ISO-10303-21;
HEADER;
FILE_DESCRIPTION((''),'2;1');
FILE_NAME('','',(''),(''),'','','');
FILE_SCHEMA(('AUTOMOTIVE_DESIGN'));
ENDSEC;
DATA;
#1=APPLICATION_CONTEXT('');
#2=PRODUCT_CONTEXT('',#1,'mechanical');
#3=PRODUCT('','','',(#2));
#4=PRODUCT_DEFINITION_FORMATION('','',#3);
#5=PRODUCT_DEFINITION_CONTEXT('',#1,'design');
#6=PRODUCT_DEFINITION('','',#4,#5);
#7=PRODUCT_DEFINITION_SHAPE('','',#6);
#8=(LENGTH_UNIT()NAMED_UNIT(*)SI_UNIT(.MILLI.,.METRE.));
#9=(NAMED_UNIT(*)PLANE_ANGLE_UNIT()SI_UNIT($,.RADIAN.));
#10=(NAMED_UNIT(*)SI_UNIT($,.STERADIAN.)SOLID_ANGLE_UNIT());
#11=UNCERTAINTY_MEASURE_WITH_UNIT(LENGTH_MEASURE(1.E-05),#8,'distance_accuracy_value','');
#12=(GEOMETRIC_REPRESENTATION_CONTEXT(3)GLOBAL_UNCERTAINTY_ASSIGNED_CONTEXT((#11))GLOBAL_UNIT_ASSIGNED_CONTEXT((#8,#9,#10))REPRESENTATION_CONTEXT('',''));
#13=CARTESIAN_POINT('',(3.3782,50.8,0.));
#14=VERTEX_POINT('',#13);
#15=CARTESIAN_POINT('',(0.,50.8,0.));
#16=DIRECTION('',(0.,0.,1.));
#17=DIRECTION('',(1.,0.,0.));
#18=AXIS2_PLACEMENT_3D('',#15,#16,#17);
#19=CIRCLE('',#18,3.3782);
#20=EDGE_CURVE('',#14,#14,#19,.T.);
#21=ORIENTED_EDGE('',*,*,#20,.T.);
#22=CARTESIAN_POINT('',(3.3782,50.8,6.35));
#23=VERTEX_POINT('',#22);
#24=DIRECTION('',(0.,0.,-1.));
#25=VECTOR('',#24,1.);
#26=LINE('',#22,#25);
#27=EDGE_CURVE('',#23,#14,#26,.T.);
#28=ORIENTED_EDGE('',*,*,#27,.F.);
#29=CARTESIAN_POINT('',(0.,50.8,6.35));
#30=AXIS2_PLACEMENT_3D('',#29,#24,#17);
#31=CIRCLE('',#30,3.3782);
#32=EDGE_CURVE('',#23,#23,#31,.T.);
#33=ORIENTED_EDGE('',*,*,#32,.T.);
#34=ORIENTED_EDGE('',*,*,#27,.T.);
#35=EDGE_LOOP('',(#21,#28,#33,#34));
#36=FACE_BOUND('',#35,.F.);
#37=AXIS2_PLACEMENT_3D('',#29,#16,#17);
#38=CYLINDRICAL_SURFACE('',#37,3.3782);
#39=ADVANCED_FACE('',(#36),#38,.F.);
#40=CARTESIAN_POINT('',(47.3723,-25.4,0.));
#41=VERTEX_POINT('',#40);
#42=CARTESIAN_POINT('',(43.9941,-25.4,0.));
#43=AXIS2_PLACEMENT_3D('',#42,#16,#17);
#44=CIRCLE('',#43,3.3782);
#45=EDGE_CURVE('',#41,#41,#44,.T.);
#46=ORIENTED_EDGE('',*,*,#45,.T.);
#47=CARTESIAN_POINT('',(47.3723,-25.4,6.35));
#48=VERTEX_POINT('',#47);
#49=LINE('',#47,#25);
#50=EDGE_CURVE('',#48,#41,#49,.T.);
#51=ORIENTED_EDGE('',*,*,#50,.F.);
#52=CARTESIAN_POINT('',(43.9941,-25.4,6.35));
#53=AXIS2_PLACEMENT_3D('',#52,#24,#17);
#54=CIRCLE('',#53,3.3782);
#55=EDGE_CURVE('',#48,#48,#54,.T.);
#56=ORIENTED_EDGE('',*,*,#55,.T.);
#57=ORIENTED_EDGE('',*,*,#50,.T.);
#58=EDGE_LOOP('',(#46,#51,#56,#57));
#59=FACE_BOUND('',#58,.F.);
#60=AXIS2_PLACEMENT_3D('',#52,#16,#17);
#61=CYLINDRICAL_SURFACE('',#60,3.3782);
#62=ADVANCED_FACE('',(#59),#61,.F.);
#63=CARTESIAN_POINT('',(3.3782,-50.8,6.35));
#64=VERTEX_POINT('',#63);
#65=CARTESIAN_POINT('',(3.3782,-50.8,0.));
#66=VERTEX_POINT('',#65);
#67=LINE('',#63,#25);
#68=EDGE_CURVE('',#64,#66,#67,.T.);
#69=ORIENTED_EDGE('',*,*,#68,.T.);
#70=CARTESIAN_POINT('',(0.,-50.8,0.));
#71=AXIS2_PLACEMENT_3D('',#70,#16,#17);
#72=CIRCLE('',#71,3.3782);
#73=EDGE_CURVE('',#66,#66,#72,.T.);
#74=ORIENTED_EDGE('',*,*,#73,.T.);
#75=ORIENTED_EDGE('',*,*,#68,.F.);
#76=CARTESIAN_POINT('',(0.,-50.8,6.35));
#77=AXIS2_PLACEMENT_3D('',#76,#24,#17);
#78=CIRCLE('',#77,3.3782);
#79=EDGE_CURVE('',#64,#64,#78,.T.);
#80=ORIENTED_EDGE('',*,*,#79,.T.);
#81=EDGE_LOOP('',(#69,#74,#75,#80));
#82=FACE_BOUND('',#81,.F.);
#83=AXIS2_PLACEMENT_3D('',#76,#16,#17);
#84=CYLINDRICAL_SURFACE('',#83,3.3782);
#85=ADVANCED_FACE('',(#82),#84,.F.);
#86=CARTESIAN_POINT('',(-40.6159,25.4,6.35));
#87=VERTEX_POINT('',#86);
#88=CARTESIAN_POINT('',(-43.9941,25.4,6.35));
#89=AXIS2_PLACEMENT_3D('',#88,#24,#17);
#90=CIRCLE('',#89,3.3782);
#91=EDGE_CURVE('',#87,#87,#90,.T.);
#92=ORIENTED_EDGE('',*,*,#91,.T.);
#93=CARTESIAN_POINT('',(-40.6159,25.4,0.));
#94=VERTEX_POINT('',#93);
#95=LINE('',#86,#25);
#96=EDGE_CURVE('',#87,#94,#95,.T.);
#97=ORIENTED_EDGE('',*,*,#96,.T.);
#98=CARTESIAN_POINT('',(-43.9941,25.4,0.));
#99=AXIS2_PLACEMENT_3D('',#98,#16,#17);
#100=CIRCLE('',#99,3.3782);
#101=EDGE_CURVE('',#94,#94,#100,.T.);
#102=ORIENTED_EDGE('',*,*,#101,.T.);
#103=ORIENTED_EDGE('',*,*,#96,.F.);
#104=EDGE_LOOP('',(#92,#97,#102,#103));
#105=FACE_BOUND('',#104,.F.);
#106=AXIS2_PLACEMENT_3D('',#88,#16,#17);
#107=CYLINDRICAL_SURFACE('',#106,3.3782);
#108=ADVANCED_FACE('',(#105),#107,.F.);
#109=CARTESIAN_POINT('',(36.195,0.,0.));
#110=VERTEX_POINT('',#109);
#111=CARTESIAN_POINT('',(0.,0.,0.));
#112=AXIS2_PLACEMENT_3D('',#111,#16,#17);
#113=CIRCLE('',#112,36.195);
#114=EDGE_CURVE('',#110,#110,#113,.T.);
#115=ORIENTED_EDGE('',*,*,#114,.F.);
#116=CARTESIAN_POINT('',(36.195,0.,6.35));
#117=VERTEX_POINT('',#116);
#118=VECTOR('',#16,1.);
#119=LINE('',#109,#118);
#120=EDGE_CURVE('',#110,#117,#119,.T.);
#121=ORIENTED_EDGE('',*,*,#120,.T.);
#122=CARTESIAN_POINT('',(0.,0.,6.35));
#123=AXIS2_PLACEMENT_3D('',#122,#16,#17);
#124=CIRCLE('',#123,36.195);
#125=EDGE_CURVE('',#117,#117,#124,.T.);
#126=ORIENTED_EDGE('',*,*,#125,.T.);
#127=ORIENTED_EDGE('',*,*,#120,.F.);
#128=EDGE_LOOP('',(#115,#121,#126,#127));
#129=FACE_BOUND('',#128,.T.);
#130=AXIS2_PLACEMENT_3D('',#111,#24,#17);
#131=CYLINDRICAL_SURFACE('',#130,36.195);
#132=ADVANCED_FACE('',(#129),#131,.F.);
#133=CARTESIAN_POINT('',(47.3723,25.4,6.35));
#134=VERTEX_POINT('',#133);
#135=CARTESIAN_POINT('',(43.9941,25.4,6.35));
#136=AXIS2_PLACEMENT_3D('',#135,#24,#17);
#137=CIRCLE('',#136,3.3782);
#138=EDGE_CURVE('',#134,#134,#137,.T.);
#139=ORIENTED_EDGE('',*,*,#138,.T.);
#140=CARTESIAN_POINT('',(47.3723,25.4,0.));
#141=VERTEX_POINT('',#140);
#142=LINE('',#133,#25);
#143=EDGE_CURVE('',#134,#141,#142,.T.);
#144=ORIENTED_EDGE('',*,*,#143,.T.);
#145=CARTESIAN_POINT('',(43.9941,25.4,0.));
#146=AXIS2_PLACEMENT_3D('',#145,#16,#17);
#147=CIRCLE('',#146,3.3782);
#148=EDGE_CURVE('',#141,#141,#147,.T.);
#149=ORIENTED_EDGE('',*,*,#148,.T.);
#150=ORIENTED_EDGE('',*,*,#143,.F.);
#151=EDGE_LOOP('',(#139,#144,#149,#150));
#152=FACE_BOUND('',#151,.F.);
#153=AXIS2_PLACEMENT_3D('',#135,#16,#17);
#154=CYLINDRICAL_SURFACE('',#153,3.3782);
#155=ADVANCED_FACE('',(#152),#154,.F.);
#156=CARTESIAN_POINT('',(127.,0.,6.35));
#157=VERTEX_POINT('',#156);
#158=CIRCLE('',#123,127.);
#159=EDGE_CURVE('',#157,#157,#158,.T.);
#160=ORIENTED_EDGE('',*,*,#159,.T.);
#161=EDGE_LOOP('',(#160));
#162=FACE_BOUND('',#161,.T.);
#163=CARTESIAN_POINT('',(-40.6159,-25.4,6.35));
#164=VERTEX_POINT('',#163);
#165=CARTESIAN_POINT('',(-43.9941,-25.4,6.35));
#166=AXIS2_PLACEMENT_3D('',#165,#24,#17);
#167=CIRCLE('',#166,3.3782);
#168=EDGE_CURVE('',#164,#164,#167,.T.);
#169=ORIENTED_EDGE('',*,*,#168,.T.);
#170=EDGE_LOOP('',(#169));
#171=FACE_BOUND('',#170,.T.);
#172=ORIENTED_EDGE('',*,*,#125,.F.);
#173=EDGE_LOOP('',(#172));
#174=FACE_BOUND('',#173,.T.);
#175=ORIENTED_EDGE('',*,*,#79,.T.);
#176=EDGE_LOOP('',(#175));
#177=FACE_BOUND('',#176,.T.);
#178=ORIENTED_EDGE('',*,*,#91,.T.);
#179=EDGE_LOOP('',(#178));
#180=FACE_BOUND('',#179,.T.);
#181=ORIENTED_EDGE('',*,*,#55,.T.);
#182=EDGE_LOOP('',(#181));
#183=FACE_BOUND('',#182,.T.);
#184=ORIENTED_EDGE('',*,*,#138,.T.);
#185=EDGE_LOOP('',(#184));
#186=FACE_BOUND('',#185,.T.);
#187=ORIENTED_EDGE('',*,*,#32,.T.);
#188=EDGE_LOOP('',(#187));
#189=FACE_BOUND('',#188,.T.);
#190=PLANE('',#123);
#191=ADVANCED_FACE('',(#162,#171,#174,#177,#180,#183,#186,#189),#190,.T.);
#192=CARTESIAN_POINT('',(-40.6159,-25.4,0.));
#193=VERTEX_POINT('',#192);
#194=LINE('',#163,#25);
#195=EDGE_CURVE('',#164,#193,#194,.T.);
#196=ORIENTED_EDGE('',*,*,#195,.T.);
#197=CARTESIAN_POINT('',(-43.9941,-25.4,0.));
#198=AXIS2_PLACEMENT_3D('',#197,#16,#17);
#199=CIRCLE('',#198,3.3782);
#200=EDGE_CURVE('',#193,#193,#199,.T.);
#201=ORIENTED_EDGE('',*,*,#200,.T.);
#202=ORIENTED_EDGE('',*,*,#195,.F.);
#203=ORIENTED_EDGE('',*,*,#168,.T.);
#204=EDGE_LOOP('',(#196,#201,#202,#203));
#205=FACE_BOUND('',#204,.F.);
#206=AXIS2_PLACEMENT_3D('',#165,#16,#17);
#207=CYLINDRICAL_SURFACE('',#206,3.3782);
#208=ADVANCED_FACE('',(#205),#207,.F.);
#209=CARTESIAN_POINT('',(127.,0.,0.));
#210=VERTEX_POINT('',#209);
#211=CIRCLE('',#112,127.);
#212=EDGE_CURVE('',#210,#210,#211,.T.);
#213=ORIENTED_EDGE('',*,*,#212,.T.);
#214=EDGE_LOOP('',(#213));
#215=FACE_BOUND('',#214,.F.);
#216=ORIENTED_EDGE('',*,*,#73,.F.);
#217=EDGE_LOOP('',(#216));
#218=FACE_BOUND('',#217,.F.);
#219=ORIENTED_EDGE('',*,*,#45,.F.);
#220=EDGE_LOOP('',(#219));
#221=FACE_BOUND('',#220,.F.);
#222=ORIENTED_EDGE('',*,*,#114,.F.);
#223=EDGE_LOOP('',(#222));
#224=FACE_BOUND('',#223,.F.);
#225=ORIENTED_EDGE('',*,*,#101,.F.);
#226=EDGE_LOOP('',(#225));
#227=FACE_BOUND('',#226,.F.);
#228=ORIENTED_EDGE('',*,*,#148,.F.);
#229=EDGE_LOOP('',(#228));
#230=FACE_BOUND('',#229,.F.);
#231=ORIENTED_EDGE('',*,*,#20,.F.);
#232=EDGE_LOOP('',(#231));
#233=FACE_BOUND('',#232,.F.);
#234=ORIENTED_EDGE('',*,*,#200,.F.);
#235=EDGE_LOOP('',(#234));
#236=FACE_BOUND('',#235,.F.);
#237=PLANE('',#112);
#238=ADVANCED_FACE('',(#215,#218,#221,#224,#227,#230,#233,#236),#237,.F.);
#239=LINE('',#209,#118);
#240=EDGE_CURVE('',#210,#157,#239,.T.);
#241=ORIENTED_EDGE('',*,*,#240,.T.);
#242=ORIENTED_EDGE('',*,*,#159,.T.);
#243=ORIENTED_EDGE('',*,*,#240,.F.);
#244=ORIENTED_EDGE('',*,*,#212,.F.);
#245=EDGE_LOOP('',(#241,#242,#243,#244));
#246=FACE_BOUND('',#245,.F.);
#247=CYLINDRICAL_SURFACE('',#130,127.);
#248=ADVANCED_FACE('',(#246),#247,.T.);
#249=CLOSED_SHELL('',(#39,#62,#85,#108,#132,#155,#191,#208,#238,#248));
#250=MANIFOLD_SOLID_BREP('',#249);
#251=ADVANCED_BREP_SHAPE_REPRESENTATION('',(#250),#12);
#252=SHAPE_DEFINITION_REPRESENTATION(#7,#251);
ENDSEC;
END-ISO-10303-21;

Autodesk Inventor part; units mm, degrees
ref_plane "YZ Plane" through (0, 0, 0) normal (1, 0, 0) x (0, 1, 0)
ref_plane "XZ Plane" through (0, 0, 0) normal (0, 1, 0) x (-1, 0, 0)
ref_plane "XY Plane" through (0, 0, 0) normal (0, 0, 1) x (1, 0, 0)
sketch "Sketch1" plane through (0, 0, 0) normal (0, 0, 1) x (1, 0, 0)
  circle A0 centre (0, 0) radius 36.195
  circle A1 centre (0, 0) radius 127
  dimension "d0" = 72.39
  dimension "d1" = 254
extrude "Extrusion1" add sketch "Sketch1" along normal blind 6.35
sketch "Sketch3" plane through (0, 0, 6.35) normal (0, 0, 1) x (1, 0, 0)
  circle A0 centre (0, 0) radius 50.8
  circle A1 centre (0, 50.8) radius 3.3782
  circle A2 centre (-43.9941, 25.4) radius 3.3782
  circle A3 centre (-43.9941, -25.4) radius 3.3782
  circle A4 centre (0, -50.8) radius 3.3782
  circle A5 centre (43.9941, -25.4) radius 3.3782
  circle A6 centre (43.9941, 25.4) radius 3.3782
  dimension "d13" = 101.6
  dimension "d14" = 6.7564
  dimension "d17" = 360
extrude "Extrusion3" cut sketch "Sketch3" against normal blind 6.35 contours A6 A0 | A0 A6 | A5 A0 | A0 A5 | A1 A0 | A0 A1 | A4 A0 | A0 A4 | A2 A0 | A0 A2 | A3 A0 | A0 A3
properties part number "AZUSAsprocketbig"
